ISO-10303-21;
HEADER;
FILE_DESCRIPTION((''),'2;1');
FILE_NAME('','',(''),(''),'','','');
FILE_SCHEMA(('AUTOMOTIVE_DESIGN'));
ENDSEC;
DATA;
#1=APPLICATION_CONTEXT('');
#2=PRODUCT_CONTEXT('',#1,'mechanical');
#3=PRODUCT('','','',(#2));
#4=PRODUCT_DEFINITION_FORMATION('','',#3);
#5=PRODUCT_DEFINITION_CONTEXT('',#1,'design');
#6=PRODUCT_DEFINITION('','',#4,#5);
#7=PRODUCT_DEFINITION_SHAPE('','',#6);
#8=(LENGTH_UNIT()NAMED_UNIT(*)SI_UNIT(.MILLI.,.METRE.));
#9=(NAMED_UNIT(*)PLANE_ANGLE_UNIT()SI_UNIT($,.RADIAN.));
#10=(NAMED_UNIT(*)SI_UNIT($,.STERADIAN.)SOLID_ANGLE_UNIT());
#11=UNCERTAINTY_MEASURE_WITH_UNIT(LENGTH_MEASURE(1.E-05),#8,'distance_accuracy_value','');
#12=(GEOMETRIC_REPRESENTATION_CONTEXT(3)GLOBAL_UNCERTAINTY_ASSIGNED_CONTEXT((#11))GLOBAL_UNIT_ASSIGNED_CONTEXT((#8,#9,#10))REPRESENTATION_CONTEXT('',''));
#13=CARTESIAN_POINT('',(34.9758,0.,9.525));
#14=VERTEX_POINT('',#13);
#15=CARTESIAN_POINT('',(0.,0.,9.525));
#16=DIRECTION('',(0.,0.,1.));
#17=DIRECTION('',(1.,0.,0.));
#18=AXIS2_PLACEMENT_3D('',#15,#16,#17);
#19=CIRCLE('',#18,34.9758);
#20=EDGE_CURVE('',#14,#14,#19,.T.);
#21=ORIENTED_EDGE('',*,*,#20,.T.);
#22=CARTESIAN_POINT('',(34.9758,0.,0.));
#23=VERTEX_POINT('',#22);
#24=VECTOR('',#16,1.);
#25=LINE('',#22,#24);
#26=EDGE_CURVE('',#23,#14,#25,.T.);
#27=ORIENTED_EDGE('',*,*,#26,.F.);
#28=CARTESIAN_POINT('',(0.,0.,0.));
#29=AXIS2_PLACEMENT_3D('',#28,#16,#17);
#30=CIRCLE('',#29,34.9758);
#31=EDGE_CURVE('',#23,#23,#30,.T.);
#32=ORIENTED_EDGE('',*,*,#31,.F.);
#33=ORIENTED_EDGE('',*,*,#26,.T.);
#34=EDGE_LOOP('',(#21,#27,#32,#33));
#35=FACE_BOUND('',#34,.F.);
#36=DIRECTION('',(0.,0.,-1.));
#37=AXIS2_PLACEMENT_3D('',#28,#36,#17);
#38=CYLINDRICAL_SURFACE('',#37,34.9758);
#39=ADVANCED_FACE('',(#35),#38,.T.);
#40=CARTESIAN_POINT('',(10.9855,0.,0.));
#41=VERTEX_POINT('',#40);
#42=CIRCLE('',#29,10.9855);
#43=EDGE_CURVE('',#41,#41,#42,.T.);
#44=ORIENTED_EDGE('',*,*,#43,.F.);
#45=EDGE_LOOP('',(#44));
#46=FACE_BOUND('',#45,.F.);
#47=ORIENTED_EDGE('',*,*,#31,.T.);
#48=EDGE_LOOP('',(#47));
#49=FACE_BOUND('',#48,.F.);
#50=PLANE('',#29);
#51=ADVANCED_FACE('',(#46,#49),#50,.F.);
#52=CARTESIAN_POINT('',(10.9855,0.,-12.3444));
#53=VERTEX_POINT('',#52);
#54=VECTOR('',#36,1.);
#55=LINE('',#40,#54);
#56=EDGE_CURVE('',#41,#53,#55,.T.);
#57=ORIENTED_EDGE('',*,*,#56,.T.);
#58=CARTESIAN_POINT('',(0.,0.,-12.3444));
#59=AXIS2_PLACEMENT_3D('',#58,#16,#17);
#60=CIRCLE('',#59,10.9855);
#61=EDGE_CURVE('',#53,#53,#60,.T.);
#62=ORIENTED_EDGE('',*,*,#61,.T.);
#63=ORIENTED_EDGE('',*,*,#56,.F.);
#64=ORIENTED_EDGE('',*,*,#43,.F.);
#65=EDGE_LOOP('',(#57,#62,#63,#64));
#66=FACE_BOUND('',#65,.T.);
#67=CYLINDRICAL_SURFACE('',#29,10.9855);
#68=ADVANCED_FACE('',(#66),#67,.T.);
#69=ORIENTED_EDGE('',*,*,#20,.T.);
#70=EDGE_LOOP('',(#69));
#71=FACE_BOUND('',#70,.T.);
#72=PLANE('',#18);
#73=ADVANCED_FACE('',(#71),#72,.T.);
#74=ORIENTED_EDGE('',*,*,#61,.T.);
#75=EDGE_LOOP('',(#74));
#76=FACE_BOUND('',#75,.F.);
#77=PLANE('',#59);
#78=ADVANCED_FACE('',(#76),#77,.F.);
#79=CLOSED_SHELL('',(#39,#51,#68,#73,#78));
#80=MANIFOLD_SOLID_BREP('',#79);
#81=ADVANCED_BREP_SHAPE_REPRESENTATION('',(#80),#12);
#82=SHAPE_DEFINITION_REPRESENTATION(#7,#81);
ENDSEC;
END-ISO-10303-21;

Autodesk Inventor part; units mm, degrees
ref_plane "YZ Plane" through (0, 0, 0) normal (1, 0, 0) x (0, 1, 0)
ref_plane "XZ Plane" through (0, 0, 0) normal (0, 1, 0) x (-1, 0, 0)
ref_plane "XY Plane" through (0, 0, 0) normal (0, 0, 1) x (1, 0, 0)
sketch "Sketch1" plane through (0, 0, 0) normal (0, 0, 1) x (1, 0, 0)
  circle A0 centre (0, 0) radius 34.9758
  circle A1 centre (0, 0) radius 10.9855
  dimension "d0" = 69.9516
  dimension "d1" = 21.971
extrude "Extrusion1" add sketch "Sketch1" along normal blind 9.525 contours A0 | A1
extrude "Extrusion2" add sketch "Sketch1" against normal blind 12.3444 contours A1
properties part number "Speaker"
